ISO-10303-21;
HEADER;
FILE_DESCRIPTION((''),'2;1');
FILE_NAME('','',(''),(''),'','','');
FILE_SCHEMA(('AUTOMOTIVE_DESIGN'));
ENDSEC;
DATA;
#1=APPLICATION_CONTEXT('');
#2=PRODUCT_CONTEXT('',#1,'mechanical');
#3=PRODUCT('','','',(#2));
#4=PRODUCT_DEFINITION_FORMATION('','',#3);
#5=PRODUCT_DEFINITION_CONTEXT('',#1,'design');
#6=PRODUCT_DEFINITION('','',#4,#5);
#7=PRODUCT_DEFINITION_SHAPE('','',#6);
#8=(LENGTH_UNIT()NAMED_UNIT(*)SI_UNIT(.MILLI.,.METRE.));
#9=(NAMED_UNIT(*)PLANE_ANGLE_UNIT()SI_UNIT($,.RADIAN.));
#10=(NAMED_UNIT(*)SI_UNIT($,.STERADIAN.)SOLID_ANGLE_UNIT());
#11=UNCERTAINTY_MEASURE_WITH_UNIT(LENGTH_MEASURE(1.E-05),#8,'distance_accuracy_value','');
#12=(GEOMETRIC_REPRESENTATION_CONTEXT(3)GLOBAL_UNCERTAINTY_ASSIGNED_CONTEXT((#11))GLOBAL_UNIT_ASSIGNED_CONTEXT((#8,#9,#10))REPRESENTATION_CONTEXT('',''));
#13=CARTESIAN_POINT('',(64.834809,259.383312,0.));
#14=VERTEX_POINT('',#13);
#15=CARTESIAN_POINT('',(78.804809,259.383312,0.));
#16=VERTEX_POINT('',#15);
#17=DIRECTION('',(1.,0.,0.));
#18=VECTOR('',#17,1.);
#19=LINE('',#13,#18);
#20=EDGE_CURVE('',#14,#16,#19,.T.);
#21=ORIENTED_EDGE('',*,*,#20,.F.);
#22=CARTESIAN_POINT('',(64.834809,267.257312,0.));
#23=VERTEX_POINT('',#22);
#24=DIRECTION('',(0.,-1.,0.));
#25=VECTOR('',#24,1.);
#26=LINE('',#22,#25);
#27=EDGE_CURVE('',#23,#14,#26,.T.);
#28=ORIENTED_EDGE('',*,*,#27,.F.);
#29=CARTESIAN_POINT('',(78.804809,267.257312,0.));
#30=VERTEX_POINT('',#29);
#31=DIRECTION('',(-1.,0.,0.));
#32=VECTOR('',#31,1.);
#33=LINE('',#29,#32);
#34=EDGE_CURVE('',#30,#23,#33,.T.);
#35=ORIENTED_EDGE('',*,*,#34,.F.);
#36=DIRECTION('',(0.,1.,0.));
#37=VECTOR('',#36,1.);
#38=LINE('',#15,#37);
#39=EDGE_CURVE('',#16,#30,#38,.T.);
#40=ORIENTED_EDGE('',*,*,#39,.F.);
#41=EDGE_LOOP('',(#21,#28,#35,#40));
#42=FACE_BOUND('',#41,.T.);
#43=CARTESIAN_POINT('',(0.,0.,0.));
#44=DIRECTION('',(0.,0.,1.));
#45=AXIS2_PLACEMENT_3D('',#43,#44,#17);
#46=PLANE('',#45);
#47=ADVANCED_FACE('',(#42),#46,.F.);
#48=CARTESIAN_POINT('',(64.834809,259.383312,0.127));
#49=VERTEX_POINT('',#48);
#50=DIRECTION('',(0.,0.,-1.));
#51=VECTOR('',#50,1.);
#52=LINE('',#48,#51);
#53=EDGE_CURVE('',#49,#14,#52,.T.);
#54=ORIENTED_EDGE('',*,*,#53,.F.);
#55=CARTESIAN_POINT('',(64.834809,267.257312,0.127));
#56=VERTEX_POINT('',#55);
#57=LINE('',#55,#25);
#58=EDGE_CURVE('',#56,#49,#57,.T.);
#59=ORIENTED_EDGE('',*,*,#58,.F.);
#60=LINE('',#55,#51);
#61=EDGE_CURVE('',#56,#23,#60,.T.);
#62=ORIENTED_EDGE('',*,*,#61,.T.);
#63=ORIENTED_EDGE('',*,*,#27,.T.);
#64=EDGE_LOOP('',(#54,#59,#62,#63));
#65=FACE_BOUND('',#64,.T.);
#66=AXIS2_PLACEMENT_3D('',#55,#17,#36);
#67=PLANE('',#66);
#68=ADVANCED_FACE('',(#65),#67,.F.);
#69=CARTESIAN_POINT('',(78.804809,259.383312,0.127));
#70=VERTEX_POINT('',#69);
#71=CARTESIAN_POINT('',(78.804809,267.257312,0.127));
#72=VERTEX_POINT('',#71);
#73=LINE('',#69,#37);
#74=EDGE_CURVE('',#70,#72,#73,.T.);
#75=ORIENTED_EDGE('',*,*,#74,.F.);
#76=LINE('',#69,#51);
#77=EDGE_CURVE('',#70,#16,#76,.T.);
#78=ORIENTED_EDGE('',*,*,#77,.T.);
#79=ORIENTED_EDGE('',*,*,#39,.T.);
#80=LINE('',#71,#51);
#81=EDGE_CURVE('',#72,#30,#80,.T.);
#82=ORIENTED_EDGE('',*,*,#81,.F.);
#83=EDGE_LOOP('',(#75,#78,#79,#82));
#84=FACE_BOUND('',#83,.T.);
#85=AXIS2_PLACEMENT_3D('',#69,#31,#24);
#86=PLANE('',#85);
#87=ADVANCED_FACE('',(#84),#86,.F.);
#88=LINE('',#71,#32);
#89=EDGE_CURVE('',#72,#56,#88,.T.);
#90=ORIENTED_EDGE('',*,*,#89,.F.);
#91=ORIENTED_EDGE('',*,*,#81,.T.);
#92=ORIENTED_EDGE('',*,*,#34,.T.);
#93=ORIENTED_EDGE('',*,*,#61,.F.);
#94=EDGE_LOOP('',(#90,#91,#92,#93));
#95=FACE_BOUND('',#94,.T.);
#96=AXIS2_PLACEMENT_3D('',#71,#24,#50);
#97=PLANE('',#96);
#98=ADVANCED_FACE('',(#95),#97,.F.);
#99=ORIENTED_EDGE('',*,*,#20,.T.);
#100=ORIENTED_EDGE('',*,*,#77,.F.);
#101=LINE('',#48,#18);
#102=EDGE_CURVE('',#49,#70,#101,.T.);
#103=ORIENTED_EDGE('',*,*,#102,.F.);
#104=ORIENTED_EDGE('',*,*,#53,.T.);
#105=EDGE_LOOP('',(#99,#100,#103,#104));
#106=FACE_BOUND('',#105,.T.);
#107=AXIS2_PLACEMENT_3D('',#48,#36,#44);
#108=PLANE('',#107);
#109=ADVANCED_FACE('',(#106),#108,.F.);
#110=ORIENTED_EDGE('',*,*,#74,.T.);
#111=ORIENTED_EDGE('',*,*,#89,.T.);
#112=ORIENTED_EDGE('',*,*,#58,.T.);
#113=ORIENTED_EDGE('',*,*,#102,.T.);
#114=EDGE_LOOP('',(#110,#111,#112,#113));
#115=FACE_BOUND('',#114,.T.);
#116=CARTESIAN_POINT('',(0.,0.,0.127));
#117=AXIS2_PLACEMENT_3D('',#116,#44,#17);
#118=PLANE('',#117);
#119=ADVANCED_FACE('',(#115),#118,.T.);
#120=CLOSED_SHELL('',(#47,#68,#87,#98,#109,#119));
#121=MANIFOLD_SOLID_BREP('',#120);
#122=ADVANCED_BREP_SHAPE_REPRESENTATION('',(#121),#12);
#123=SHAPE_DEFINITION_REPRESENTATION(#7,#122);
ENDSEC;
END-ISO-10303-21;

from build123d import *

# Parameters (mm, degrees)
SKETCH1_W           = 13.97
SKETCH1_H           = 7.874
BOSS_EXTRUDE1_DEPTH = 0.127


with BuildPart() as part:
    # Sketch1 → Boss-Extrude1 (new body)
    with BuildSketch(Plane.XY):
        with Locations((71.819809079, 263.320312433)):
            Rectangle(SKETCH1_W, SKETCH1_H)
    extrude(amount=BOSS_EXTRUDE1_DEPTH)


solid = part.part
